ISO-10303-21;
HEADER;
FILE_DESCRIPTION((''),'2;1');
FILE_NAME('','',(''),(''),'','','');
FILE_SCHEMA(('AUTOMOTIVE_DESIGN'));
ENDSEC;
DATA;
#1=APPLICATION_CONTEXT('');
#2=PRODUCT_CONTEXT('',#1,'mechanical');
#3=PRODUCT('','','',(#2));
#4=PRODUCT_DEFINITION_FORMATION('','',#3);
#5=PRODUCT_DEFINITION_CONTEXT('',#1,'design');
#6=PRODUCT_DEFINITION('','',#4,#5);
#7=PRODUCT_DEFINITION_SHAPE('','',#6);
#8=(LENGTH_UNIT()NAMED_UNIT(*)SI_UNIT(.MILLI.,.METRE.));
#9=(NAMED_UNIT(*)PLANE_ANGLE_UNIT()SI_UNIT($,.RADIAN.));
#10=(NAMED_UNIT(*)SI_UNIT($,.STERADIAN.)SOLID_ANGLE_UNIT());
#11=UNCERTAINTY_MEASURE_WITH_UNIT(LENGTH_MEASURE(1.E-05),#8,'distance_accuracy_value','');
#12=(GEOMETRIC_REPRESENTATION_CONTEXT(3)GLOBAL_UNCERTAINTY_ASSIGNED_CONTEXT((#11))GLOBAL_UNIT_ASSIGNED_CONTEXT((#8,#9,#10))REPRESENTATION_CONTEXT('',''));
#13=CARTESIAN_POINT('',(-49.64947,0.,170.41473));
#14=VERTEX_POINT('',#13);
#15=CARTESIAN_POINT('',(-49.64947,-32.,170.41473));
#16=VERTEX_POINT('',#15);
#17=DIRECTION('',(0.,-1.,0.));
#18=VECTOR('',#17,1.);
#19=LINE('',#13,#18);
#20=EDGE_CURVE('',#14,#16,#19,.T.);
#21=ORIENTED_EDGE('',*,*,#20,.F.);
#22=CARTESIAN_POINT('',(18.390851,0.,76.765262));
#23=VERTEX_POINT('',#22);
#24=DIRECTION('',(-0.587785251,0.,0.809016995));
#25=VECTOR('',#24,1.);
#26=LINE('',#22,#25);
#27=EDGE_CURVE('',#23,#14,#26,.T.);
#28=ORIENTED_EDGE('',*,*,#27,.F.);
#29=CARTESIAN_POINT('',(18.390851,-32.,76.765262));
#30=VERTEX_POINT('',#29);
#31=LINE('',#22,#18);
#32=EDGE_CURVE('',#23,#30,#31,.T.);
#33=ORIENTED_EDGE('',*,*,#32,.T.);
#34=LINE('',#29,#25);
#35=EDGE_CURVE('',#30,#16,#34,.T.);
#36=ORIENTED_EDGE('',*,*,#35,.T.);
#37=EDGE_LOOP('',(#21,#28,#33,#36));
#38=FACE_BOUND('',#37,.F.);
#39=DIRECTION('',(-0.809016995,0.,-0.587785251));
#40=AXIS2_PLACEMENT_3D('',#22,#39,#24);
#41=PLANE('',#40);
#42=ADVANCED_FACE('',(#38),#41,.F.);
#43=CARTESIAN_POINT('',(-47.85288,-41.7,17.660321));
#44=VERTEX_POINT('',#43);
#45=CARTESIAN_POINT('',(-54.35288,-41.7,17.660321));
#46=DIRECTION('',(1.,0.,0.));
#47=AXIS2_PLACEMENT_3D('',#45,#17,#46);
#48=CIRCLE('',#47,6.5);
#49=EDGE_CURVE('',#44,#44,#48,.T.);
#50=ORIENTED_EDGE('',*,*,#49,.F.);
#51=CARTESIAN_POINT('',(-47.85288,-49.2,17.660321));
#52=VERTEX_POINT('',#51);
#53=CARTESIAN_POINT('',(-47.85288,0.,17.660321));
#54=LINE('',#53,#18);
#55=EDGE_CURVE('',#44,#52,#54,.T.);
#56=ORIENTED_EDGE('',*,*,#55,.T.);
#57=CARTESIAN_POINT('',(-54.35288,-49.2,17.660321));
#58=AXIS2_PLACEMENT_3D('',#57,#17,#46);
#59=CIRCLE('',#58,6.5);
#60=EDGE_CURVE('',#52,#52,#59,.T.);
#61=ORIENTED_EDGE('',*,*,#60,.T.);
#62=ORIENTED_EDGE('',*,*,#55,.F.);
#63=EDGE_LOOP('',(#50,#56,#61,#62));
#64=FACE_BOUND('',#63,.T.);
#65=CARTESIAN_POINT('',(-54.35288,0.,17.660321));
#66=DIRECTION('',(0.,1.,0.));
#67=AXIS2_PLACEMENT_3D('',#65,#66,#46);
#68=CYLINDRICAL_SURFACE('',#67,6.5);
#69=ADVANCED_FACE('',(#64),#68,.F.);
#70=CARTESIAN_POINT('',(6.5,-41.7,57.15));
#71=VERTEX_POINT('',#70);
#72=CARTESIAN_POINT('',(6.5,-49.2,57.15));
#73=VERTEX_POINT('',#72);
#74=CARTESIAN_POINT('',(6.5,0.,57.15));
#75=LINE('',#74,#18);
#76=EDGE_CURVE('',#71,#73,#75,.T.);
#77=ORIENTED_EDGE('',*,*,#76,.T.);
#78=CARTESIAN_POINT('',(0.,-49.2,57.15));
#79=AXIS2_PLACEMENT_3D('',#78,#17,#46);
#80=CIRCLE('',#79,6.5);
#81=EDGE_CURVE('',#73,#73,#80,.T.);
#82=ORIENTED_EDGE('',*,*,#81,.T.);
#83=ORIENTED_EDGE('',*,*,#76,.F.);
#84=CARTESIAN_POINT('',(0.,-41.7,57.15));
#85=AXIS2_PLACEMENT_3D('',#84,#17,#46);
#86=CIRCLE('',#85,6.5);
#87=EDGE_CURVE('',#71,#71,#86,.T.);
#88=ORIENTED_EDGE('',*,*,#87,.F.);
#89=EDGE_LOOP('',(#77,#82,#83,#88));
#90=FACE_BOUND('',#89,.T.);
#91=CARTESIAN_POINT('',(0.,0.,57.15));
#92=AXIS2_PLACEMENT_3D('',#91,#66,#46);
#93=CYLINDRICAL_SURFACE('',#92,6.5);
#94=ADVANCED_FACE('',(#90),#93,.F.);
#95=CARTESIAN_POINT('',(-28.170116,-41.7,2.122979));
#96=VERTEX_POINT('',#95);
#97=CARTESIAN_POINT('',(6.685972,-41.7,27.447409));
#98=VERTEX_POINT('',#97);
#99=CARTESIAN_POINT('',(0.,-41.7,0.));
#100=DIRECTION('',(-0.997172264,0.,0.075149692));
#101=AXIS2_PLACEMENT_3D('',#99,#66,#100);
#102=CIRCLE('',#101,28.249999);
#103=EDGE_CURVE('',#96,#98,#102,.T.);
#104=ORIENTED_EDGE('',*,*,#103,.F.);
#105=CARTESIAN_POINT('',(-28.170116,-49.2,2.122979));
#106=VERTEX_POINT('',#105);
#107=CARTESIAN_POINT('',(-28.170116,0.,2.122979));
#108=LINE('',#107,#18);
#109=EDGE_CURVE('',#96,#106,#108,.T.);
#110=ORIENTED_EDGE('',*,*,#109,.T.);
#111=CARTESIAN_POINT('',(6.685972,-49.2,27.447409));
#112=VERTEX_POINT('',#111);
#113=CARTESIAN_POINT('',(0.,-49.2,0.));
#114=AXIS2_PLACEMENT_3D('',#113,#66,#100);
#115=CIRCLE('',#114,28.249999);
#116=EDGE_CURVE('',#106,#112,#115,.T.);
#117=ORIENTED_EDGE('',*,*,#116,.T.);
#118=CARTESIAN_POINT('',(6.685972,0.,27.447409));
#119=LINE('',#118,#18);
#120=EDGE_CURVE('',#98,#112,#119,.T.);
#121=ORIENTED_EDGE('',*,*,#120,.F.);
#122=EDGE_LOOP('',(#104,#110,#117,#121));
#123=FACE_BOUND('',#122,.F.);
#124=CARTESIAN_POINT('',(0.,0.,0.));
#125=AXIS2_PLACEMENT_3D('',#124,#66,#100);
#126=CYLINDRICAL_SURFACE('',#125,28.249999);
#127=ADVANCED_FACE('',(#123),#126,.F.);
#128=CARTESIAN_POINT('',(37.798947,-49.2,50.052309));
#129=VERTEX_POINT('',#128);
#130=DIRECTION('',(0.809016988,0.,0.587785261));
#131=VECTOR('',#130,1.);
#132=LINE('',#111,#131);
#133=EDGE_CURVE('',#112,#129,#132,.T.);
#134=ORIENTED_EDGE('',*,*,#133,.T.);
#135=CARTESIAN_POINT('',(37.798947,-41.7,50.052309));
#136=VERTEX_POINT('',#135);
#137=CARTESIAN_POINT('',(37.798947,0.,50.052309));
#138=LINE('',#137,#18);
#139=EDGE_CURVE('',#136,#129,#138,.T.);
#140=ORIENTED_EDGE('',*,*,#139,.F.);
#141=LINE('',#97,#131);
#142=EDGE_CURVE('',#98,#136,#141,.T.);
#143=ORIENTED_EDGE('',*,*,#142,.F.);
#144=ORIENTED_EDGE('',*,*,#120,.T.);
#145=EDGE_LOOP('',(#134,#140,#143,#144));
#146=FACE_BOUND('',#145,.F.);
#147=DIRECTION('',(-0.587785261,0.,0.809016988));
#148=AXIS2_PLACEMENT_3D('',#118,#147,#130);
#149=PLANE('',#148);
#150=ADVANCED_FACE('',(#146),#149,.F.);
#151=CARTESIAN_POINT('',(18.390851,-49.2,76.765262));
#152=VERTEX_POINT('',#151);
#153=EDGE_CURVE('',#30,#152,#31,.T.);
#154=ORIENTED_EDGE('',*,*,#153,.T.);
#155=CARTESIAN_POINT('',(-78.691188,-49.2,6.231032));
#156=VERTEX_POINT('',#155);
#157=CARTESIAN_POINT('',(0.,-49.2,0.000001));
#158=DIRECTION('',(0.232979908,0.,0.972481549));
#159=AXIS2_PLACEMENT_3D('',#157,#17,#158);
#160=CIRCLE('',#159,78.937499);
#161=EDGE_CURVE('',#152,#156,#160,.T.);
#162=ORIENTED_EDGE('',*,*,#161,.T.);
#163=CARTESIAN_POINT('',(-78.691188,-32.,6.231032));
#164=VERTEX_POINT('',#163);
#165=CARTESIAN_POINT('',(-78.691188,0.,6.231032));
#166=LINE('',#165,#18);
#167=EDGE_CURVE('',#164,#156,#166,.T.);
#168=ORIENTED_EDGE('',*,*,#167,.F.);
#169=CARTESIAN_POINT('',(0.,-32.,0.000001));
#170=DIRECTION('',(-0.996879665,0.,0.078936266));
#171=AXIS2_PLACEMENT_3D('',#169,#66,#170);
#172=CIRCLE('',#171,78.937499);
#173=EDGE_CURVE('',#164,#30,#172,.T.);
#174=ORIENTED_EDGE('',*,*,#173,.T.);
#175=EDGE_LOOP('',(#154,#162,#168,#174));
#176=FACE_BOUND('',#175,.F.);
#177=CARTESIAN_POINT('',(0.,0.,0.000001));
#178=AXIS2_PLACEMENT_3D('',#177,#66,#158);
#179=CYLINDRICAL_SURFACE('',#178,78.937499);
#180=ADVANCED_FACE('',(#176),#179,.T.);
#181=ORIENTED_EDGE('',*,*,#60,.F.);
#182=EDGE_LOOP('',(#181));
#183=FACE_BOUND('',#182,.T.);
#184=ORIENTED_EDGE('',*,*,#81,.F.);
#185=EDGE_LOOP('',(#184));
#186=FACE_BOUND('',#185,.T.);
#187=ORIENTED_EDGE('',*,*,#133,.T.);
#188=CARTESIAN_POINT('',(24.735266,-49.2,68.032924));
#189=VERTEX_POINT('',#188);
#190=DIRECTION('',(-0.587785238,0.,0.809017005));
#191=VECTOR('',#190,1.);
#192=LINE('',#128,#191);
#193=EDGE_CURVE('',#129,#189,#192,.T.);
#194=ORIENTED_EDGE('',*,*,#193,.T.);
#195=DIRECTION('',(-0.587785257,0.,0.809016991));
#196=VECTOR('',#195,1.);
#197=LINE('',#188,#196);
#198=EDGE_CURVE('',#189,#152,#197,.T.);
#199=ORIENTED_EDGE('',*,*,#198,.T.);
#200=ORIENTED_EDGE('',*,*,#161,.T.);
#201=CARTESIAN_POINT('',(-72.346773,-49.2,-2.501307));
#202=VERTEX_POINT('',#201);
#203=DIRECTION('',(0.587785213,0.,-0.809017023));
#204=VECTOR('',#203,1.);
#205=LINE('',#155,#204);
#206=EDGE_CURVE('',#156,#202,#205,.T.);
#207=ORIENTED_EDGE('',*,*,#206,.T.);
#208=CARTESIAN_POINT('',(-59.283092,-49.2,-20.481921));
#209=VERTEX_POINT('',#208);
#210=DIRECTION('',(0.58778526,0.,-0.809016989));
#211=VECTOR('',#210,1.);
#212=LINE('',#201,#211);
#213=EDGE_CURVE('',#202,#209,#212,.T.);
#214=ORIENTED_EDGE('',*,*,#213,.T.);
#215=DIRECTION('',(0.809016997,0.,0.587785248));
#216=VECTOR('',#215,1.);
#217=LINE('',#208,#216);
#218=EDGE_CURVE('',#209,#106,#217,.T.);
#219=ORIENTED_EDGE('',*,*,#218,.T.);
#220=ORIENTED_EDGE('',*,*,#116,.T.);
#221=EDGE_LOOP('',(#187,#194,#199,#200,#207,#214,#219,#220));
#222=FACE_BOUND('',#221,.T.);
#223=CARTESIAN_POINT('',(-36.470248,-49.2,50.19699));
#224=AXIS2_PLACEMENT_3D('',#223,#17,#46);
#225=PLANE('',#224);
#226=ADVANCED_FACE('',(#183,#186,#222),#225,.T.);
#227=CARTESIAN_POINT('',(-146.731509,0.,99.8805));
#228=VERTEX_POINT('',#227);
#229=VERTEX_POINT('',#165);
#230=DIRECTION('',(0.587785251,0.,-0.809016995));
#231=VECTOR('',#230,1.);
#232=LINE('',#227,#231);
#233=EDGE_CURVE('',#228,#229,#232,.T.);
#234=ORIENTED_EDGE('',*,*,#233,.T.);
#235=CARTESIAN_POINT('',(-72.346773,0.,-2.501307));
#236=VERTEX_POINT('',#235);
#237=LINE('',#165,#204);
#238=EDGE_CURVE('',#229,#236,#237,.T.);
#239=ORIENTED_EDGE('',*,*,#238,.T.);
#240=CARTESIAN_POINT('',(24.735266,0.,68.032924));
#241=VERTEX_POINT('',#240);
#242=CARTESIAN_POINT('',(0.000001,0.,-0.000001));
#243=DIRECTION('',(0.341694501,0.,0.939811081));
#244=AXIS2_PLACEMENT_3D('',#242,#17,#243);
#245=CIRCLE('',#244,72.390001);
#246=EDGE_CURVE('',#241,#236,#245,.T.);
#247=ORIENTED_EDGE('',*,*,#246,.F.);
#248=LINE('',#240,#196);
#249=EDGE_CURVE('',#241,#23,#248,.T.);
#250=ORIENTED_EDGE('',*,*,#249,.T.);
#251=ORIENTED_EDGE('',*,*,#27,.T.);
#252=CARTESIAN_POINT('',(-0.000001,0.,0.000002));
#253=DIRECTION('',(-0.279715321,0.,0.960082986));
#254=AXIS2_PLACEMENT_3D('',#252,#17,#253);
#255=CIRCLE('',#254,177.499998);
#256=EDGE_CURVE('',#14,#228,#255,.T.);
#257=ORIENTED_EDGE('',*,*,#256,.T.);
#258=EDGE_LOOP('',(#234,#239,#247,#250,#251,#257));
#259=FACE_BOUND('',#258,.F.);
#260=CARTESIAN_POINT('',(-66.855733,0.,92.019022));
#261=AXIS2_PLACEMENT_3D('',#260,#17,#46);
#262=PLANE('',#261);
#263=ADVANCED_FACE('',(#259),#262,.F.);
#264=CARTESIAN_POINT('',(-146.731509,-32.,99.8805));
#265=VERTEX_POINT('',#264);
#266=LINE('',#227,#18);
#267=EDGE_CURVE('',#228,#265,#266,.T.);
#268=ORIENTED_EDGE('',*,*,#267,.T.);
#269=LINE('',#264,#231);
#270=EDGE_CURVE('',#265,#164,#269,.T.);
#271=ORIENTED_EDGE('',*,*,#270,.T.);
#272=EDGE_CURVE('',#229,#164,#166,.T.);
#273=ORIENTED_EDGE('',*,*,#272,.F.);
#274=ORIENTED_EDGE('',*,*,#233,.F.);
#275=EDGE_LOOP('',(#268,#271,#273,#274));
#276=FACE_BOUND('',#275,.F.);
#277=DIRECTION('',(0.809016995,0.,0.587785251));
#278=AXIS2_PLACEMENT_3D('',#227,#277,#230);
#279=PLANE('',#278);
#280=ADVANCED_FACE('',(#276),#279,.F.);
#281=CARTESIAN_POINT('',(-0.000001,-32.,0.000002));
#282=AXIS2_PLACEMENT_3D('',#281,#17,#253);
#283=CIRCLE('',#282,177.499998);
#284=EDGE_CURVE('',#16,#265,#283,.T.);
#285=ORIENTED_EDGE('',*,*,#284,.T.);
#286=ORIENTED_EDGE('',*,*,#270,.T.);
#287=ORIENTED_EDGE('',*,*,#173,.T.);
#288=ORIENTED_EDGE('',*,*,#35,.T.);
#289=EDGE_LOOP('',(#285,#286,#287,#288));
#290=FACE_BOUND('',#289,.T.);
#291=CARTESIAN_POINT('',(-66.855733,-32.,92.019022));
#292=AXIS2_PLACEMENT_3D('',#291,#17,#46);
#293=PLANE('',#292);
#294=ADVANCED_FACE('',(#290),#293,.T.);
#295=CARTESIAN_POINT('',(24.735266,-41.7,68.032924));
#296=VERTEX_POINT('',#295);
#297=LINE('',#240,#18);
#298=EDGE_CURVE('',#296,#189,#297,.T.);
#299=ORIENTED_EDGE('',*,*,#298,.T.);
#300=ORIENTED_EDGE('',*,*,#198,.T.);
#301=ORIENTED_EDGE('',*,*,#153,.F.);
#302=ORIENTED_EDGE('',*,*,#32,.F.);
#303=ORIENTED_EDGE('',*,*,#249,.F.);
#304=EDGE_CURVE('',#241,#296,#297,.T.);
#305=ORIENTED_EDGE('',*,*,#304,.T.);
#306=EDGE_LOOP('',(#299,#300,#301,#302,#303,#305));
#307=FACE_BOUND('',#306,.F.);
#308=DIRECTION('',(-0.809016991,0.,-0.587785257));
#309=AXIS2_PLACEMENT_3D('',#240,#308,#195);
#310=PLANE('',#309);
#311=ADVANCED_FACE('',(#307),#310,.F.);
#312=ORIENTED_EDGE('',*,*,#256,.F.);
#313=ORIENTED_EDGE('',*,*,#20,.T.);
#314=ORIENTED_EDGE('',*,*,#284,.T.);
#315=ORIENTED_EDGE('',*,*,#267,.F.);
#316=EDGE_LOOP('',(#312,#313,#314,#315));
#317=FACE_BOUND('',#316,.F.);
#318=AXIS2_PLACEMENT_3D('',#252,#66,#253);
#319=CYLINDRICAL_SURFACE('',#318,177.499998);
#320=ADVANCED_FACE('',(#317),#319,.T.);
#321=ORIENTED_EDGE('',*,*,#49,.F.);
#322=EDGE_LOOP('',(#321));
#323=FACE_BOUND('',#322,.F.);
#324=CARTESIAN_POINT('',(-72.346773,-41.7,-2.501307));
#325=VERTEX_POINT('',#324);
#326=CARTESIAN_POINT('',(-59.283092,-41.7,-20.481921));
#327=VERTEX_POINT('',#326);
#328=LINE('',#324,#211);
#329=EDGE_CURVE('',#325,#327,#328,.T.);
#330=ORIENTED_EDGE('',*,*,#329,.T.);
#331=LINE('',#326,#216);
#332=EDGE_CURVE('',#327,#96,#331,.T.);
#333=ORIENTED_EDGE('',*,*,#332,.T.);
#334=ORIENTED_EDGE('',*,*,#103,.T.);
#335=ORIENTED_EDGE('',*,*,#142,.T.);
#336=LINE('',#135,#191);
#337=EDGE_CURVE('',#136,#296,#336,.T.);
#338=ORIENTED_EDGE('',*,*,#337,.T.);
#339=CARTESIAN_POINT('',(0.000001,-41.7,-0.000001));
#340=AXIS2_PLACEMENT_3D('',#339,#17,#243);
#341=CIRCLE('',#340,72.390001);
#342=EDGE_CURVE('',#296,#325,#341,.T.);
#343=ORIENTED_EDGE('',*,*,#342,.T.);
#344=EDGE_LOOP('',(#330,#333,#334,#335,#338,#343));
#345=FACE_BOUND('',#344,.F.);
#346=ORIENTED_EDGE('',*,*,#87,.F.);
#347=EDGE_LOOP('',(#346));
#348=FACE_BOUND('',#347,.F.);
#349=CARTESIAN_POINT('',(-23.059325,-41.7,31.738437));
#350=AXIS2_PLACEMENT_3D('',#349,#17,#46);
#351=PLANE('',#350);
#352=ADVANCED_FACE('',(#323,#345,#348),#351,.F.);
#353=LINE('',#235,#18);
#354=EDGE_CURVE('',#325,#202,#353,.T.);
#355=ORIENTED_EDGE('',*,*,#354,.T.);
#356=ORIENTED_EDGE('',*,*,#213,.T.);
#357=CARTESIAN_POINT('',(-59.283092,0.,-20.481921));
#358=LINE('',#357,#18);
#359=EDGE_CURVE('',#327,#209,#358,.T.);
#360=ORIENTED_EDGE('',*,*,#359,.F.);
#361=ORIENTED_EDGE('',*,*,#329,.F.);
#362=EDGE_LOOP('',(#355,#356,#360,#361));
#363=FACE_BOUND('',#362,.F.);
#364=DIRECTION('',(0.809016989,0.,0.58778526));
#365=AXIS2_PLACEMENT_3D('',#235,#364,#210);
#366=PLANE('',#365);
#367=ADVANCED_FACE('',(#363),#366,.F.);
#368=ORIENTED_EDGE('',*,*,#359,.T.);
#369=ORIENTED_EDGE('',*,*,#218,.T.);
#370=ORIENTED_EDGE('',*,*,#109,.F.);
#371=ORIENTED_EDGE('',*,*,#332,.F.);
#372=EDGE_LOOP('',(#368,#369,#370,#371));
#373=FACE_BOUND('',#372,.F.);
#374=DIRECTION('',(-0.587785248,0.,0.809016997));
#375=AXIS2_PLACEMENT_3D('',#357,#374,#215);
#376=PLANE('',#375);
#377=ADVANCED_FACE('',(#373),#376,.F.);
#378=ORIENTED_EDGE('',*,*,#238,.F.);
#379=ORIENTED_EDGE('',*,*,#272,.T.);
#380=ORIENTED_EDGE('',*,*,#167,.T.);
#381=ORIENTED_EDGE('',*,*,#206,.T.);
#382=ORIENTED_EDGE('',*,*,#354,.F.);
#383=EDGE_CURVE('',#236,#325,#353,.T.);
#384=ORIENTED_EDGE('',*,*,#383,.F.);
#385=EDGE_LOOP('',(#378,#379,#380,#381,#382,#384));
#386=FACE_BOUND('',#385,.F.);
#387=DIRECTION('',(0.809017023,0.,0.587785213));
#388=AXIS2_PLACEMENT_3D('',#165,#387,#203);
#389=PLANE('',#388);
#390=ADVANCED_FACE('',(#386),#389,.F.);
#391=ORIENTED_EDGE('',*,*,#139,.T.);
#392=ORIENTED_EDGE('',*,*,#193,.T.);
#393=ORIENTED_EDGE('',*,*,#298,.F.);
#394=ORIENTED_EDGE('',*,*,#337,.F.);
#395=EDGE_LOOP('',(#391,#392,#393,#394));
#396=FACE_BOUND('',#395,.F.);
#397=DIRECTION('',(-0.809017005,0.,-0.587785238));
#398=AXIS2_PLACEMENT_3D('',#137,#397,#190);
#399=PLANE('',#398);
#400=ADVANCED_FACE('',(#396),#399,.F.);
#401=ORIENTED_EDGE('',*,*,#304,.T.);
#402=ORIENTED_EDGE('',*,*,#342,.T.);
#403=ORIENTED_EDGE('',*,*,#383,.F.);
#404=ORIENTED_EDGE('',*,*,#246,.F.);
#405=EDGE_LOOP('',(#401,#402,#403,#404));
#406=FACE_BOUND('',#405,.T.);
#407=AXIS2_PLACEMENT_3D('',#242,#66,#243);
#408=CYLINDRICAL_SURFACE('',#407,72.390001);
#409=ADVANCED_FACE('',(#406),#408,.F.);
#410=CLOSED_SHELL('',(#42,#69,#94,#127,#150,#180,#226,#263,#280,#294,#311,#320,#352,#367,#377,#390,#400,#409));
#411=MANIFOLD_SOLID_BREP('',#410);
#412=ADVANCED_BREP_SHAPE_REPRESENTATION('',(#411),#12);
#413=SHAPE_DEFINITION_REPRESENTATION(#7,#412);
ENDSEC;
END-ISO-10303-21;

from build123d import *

# Parameters (mm, degrees)
F0_R     = 6.5
F1_DEPTH = 49.2
F2_DEPTH = 32
F3_DEPTH = 41.7


with BuildPart() as f1:
    # F0 (on Front) → F1 (new body)
    with BuildSketch(Plane.XZ):
        with BuildLine():
            Line((24.735266, 68.032924), (18.390851, 76.765262))
            ThreePointArc((18.390851, 76.765262), (-46.398298, 63.861779), (-78.691188, 6.231032))
            Line((-78.691188, 6.231032), (-72.346773, -2.501307))
            ThreePointArc((-72.346773, -2.501307), (-42.549774, 58.56474), (24.735266, 68.032924))
        make_face()
        with BuildLine():
            Line((37.798947, 50.052309), (24.735266, 68.032924))
            ThreePointArc((24.735266, 68.032924), (-42.549774, 58.56474), (-72.346773, -2.501307))
            Line((-72.346773, -2.501307), (-59.283092, -20.481921))
            Line((-59.283092, -20.481921), (-28.170116, 2.122979))
            ThreePointArc((-28.170116, 2.122979), (-16.604933, 22.85473), (6.685972, 27.447409))
            Line((6.685972, 27.447409), (37.798947, 50.052309))
        make_face()
        with Locations((-54.35288, 17.660321)):
            Circle(F0_R, mode=Mode.SUBTRACT)
        with Locations((0, 57.15)):
            Circle(F0_R, mode=Mode.SUBTRACT)
    extrude(amount=F1_DEPTH)

    # F0 (on Front) → F2 (join)
    with BuildSketch(Plane.XZ):
        with BuildLine():
            Line((18.390851, 76.765262), (-49.64947, 170.41473))
            ThreePointArc((-49.64947, 170.41473), (-104.331882, 143.600517), (-146.731509, 99.8805))
            Line((-146.731509, 99.8805), (-78.691188, 6.231032))
            ThreePointArc((-78.691188, 6.231032), (-46.398298, 63.861779), (18.390851, 76.765262))
        make_face()
    extrude(amount=F2_DEPTH)

    # F0 (on Front) → F3 (cut)
    with BuildSketch(Plane.XZ):
        with BuildLine():
            Line((37.798947, 50.052309), (24.735266, 68.032924))
            ThreePointArc((24.735266, 68.032924), (-42.549774, 58.56474), (-72.346773, -2.501307))
            Line((-72.346773, -2.501307), (-59.283092, -20.481921))
            Line((-59.283092, -20.481921), (-28.170116, 2.122979))
            ThreePointArc((-28.170116, 2.122979), (-16.604933, 22.85473), (6.685972, 27.447409))
            Line((6.685972, 27.447409), (37.798947, 50.052309))
        make_face()
        with Locations((-54.35288, 17.660321)):
            Circle(F0_R, mode=Mode.SUBTRACT)
        with Locations((0, 57.15)):
            Circle(F0_R, mode=Mode.SUBTRACT)
    extrude(amount=F3_DEPTH, mode=Mode.SUBTRACT)


solid = f1.part
